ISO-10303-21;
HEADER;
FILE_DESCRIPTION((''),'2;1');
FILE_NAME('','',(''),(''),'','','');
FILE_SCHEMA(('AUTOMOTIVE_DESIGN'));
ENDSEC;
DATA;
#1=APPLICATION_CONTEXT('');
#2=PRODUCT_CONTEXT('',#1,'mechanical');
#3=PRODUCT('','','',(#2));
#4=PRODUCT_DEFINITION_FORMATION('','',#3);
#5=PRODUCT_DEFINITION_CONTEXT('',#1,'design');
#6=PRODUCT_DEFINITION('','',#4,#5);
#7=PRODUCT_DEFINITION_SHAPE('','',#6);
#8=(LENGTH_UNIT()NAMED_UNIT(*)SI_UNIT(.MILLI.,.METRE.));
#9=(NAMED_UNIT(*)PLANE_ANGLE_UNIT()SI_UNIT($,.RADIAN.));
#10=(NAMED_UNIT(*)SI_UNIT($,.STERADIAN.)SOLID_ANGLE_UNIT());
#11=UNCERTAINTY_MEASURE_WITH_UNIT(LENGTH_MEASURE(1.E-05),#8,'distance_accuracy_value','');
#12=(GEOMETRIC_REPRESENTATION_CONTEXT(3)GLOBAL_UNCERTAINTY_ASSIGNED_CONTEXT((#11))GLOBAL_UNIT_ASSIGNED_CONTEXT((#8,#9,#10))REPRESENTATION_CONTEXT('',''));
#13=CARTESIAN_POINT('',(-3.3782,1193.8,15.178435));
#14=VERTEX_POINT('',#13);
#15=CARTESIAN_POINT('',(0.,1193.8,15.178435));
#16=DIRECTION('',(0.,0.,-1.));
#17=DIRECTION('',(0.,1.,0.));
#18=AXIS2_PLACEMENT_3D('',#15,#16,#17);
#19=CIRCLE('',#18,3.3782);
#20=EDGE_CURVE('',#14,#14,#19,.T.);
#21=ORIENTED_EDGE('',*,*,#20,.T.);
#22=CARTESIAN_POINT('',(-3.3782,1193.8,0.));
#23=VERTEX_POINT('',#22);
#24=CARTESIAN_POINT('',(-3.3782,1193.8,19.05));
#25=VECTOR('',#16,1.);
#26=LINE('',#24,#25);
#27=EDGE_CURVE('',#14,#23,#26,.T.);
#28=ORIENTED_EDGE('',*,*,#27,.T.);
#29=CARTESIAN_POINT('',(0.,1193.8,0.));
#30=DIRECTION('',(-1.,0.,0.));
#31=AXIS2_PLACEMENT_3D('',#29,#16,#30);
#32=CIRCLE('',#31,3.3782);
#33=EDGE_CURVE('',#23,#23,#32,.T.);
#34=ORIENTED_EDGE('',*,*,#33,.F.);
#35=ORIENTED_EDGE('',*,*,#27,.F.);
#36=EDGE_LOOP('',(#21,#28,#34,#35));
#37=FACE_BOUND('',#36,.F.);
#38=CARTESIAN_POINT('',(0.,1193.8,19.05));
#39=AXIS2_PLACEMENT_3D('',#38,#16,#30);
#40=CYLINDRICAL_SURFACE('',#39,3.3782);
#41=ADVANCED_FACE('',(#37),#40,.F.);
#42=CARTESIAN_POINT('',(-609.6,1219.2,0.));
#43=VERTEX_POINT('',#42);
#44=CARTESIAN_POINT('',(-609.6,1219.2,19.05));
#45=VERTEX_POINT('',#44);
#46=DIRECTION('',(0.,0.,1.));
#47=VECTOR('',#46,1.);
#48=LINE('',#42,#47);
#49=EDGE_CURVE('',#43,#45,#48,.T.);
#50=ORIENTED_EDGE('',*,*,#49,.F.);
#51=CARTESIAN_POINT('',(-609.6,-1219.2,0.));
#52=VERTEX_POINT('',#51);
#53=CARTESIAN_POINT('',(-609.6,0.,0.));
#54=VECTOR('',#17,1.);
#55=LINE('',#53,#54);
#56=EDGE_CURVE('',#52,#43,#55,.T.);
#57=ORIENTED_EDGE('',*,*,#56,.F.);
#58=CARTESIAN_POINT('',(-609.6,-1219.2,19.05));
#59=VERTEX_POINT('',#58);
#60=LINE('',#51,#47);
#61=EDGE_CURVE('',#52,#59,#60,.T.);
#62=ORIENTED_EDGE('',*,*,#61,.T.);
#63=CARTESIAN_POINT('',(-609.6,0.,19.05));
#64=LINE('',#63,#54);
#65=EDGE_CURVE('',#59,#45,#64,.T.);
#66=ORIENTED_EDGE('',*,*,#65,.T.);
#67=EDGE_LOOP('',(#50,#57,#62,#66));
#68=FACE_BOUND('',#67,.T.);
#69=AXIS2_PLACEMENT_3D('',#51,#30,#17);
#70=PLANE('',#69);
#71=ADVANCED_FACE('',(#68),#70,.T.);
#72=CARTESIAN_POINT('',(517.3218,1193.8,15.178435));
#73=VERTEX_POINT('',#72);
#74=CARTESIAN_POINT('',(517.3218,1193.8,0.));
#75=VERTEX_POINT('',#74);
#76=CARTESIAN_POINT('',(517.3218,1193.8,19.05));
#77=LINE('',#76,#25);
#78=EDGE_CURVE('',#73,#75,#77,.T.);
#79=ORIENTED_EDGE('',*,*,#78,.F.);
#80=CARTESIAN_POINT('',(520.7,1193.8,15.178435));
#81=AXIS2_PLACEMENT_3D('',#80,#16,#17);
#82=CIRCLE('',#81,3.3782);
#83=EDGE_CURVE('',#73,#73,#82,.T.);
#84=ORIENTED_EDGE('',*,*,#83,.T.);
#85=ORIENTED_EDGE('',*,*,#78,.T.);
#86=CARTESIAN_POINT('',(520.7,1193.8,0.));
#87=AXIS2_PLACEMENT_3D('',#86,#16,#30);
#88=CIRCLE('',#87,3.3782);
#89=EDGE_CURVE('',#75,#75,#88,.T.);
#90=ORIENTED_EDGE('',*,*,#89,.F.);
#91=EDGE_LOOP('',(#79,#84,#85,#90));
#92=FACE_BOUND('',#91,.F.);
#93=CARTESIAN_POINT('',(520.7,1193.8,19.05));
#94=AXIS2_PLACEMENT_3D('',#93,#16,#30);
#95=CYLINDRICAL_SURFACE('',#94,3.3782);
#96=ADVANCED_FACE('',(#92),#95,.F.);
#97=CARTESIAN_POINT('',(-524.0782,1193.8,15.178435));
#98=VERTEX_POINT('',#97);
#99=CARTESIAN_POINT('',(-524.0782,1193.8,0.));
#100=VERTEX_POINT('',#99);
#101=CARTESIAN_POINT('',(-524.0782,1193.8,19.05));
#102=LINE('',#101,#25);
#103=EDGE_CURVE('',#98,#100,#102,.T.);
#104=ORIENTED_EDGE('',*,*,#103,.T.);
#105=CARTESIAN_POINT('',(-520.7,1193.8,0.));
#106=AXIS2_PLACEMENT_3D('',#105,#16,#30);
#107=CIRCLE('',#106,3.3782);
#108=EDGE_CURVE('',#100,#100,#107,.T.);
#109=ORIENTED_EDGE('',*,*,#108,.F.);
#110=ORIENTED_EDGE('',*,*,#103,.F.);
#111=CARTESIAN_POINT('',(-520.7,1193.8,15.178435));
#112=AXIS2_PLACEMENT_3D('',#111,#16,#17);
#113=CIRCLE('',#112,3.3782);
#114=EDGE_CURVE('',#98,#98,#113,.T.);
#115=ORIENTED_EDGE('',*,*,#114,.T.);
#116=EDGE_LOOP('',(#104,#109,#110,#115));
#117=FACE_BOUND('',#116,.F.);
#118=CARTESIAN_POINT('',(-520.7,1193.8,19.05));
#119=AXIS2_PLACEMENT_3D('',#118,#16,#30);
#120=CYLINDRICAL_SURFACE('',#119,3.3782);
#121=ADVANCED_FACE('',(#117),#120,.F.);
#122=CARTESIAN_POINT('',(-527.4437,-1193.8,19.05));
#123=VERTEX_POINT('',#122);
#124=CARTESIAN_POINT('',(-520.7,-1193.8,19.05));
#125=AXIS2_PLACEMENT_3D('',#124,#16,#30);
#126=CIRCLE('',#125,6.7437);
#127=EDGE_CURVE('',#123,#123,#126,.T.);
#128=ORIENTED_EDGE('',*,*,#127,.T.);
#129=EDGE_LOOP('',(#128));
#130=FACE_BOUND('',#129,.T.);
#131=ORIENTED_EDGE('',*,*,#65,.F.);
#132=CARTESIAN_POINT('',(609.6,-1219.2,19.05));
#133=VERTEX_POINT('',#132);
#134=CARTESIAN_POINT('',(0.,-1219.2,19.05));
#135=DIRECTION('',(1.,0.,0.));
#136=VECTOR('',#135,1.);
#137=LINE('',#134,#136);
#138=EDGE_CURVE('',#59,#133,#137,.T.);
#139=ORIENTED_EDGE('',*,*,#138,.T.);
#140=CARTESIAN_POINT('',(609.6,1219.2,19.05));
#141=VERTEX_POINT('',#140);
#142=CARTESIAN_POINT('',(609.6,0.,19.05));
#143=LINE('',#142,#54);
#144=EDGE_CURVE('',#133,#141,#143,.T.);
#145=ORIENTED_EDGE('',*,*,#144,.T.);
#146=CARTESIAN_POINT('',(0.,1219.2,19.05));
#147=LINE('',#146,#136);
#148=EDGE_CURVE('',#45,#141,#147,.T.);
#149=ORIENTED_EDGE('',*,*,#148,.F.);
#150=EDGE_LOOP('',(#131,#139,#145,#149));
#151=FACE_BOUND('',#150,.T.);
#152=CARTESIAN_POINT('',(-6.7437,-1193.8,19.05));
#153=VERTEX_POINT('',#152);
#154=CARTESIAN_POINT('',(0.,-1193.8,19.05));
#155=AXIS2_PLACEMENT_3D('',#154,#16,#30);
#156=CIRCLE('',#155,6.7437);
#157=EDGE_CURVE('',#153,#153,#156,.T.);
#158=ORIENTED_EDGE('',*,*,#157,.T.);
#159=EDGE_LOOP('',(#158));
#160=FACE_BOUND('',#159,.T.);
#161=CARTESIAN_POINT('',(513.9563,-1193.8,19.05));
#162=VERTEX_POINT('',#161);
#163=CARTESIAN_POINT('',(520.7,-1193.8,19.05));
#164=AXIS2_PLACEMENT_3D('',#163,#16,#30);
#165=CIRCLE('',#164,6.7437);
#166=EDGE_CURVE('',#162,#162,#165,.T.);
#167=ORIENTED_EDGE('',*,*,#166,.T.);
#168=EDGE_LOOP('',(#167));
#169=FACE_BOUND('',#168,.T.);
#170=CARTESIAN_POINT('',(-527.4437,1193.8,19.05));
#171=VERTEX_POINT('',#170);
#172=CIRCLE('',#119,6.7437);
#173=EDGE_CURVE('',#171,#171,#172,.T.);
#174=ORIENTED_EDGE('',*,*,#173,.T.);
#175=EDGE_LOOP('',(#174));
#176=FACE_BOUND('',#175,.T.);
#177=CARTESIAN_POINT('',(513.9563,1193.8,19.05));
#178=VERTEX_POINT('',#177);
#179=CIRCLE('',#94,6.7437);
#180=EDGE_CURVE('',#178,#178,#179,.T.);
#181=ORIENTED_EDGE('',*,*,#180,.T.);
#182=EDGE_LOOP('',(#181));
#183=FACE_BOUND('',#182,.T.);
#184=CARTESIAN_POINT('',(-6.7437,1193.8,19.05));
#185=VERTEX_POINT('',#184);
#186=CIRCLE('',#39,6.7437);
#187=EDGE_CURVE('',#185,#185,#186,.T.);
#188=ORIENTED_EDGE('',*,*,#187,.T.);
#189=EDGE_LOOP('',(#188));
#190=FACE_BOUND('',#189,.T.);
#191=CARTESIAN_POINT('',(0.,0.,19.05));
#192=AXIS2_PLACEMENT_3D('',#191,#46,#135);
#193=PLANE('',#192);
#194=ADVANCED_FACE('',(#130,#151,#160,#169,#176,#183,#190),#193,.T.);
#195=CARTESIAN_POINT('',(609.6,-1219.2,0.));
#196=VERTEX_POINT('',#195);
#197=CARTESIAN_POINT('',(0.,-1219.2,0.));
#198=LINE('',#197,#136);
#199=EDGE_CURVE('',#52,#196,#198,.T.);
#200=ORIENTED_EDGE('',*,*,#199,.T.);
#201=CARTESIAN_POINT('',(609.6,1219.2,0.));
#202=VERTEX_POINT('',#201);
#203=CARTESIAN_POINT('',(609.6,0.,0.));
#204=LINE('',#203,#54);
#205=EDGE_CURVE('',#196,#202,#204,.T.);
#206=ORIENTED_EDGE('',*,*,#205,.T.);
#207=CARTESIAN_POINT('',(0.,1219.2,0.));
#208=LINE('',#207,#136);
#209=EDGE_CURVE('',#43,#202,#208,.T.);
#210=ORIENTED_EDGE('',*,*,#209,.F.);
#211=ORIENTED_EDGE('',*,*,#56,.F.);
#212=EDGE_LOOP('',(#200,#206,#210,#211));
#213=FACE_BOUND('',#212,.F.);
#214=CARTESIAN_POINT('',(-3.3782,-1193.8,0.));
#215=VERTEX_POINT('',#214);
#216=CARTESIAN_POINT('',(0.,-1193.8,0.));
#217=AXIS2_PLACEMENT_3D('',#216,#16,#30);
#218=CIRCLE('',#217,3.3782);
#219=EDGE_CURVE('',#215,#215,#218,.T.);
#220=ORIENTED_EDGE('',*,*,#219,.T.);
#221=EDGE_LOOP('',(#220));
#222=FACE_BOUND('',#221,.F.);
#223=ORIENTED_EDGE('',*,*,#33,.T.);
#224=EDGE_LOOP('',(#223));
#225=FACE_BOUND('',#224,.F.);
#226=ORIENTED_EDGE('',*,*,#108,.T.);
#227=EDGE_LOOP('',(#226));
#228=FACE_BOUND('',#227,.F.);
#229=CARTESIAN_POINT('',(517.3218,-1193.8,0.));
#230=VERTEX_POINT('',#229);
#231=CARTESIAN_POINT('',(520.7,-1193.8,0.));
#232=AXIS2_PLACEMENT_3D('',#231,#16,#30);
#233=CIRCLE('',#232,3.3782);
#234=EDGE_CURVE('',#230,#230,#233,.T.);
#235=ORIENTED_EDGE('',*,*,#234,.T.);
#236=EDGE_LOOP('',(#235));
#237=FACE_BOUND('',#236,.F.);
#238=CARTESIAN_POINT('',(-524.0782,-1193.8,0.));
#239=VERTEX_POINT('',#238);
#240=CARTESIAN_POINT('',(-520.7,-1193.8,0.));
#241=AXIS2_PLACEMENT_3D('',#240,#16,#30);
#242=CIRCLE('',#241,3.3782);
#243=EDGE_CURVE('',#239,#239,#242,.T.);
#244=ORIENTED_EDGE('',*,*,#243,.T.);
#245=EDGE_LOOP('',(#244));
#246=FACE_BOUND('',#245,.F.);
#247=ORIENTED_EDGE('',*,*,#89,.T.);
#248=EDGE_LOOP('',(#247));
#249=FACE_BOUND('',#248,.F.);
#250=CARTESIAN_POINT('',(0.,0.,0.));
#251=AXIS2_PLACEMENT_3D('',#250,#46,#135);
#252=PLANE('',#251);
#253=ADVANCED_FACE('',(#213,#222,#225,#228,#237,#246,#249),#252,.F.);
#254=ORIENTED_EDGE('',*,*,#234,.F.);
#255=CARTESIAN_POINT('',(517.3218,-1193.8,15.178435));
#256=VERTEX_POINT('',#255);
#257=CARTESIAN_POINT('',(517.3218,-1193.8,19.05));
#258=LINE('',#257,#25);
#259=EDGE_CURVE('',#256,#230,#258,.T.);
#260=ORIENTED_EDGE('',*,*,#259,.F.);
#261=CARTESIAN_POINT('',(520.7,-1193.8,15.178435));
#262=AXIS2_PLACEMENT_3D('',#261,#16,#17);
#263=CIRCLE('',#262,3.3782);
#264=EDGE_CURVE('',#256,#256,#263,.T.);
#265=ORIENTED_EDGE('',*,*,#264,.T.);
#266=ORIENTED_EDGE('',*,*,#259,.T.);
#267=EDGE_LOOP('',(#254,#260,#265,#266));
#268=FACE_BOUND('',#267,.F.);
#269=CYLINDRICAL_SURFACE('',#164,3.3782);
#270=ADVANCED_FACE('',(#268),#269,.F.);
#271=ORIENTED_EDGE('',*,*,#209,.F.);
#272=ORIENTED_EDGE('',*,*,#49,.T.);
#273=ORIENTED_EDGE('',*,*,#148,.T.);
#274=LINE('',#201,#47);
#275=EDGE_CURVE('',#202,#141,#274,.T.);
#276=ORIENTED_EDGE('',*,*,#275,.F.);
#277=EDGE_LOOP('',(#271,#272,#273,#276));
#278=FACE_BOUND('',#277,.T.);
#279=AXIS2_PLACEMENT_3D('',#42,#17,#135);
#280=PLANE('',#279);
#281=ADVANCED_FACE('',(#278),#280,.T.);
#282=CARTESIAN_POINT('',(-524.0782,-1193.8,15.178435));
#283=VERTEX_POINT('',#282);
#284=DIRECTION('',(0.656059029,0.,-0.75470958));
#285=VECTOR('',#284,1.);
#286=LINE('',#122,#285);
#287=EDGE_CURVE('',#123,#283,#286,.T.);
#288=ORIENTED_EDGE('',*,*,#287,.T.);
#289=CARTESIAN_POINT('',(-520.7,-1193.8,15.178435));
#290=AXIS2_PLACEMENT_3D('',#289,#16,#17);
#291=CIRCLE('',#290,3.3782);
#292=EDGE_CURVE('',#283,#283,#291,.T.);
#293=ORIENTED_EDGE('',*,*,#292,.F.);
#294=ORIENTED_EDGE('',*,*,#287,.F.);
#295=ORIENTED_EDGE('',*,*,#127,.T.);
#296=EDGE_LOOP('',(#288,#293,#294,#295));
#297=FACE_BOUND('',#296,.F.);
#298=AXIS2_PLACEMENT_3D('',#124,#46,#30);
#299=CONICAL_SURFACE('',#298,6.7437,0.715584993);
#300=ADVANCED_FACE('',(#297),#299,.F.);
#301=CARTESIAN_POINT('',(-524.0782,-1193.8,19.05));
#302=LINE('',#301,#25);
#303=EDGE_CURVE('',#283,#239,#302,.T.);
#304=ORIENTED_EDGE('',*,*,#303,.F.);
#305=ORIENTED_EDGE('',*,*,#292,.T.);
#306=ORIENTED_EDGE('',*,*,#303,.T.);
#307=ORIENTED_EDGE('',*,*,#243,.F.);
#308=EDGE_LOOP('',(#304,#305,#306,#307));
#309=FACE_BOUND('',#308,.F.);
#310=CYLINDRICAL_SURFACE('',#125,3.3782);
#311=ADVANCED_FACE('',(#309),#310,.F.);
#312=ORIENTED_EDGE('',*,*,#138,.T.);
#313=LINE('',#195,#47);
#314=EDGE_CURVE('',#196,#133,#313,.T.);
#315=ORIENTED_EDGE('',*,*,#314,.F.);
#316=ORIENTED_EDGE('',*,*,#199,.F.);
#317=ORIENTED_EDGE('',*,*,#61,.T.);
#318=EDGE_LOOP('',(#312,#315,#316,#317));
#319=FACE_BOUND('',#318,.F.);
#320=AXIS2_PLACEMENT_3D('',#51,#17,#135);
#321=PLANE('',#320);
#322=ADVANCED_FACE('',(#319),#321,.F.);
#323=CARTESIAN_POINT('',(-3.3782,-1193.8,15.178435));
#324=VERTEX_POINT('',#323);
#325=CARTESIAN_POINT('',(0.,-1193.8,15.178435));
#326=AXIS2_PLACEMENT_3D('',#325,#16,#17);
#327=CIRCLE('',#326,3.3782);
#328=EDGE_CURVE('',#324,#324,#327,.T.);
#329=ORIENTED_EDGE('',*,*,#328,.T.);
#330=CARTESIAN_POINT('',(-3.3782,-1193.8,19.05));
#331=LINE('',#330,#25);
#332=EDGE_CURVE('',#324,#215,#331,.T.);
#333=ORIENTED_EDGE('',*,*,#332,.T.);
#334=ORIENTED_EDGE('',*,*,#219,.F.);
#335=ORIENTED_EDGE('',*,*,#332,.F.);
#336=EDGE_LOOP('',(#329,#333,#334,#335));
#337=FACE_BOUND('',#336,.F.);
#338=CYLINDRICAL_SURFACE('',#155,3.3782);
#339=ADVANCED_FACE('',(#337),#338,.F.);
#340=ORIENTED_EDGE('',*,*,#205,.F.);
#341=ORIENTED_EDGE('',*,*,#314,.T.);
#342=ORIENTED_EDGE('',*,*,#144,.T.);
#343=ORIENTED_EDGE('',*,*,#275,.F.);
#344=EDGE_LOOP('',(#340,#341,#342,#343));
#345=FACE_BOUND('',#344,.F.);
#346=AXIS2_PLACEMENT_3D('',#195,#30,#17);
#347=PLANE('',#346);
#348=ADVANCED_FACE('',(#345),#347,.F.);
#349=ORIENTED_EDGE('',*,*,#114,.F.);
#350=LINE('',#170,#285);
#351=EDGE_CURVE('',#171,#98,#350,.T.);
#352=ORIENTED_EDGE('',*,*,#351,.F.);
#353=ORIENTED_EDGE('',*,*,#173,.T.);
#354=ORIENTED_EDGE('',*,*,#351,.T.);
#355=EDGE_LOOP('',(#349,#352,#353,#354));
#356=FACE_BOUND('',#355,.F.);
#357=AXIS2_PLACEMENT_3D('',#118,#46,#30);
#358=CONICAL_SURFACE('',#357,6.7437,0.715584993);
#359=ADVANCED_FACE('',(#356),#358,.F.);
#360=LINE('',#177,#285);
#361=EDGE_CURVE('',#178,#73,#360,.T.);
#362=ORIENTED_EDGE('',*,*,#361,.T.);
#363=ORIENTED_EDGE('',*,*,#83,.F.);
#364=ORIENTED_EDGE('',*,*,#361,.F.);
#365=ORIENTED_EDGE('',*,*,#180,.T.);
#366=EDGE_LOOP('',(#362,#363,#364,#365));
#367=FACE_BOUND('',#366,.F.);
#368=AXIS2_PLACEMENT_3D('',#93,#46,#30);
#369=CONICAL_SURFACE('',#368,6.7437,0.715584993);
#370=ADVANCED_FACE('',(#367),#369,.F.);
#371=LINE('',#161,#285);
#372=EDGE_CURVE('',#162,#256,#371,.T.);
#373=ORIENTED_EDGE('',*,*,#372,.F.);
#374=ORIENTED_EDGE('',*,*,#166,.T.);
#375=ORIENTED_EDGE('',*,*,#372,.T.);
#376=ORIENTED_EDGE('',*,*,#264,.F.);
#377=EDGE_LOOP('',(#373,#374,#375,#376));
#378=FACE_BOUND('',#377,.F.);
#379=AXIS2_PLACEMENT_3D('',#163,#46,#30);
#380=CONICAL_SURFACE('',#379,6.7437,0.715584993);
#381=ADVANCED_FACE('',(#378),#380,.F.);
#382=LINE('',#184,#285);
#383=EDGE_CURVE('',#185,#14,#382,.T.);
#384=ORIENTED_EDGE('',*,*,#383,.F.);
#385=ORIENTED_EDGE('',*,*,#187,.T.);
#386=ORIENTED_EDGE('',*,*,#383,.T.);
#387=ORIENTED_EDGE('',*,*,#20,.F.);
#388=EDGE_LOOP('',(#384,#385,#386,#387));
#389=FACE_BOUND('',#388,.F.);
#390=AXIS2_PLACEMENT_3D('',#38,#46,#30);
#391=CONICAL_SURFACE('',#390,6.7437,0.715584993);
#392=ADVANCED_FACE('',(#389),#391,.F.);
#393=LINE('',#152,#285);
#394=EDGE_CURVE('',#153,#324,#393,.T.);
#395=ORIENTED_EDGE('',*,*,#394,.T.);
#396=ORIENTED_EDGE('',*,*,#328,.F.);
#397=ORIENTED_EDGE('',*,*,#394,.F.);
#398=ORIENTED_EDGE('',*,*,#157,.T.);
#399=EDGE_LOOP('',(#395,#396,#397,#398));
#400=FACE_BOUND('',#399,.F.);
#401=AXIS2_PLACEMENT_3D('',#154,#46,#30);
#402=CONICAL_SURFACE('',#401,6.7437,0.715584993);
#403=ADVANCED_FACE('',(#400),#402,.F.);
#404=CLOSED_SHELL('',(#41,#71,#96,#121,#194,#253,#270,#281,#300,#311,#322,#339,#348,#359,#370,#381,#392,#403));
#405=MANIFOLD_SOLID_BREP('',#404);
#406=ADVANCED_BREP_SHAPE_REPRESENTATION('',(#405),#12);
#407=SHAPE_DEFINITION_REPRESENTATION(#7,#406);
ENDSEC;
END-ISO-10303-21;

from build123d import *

# Parameters (mm, degrees)
F0_W           = 1219.2
F0_H           = 2438.4
F1_DEPTH       = 19.05
F3_D           = 6.7564
F3_DEPTH       = 25.4
F3_CSINK_D     = 13.4874
F3_CSINK_ANGLE = 82
F3_TIP         = 2.0298273432


with BuildPart() as f1:
    # F0 (on Top) → F1 (new body)
    with BuildSketch(Plane.XY):
        Rectangle(F0_W, F0_H)
    extrude(amount=F1_DEPTH)

    # F3
    with Locations(Plane.XY.offset(19.05)):
        with Locations((-520.7, -1193.8), (0, -1193.8), (520.7, -1193.8), (520.7, 1193.8), (0, 1193.8), (-520.7, 1193.8)):
            CounterSinkHole(F3_D / 2, F3_CSINK_D / 2, depth=F3_DEPTH, counter_sink_angle=F3_CSINK_ANGLE)
            with Locations((0, 0, -(F3_DEPTH + F3_TIP / 2))):  # 118° drill point
                Cone(0, F3_D / 2, F3_TIP, mode=Mode.SUBTRACT)


solid = f1.part
